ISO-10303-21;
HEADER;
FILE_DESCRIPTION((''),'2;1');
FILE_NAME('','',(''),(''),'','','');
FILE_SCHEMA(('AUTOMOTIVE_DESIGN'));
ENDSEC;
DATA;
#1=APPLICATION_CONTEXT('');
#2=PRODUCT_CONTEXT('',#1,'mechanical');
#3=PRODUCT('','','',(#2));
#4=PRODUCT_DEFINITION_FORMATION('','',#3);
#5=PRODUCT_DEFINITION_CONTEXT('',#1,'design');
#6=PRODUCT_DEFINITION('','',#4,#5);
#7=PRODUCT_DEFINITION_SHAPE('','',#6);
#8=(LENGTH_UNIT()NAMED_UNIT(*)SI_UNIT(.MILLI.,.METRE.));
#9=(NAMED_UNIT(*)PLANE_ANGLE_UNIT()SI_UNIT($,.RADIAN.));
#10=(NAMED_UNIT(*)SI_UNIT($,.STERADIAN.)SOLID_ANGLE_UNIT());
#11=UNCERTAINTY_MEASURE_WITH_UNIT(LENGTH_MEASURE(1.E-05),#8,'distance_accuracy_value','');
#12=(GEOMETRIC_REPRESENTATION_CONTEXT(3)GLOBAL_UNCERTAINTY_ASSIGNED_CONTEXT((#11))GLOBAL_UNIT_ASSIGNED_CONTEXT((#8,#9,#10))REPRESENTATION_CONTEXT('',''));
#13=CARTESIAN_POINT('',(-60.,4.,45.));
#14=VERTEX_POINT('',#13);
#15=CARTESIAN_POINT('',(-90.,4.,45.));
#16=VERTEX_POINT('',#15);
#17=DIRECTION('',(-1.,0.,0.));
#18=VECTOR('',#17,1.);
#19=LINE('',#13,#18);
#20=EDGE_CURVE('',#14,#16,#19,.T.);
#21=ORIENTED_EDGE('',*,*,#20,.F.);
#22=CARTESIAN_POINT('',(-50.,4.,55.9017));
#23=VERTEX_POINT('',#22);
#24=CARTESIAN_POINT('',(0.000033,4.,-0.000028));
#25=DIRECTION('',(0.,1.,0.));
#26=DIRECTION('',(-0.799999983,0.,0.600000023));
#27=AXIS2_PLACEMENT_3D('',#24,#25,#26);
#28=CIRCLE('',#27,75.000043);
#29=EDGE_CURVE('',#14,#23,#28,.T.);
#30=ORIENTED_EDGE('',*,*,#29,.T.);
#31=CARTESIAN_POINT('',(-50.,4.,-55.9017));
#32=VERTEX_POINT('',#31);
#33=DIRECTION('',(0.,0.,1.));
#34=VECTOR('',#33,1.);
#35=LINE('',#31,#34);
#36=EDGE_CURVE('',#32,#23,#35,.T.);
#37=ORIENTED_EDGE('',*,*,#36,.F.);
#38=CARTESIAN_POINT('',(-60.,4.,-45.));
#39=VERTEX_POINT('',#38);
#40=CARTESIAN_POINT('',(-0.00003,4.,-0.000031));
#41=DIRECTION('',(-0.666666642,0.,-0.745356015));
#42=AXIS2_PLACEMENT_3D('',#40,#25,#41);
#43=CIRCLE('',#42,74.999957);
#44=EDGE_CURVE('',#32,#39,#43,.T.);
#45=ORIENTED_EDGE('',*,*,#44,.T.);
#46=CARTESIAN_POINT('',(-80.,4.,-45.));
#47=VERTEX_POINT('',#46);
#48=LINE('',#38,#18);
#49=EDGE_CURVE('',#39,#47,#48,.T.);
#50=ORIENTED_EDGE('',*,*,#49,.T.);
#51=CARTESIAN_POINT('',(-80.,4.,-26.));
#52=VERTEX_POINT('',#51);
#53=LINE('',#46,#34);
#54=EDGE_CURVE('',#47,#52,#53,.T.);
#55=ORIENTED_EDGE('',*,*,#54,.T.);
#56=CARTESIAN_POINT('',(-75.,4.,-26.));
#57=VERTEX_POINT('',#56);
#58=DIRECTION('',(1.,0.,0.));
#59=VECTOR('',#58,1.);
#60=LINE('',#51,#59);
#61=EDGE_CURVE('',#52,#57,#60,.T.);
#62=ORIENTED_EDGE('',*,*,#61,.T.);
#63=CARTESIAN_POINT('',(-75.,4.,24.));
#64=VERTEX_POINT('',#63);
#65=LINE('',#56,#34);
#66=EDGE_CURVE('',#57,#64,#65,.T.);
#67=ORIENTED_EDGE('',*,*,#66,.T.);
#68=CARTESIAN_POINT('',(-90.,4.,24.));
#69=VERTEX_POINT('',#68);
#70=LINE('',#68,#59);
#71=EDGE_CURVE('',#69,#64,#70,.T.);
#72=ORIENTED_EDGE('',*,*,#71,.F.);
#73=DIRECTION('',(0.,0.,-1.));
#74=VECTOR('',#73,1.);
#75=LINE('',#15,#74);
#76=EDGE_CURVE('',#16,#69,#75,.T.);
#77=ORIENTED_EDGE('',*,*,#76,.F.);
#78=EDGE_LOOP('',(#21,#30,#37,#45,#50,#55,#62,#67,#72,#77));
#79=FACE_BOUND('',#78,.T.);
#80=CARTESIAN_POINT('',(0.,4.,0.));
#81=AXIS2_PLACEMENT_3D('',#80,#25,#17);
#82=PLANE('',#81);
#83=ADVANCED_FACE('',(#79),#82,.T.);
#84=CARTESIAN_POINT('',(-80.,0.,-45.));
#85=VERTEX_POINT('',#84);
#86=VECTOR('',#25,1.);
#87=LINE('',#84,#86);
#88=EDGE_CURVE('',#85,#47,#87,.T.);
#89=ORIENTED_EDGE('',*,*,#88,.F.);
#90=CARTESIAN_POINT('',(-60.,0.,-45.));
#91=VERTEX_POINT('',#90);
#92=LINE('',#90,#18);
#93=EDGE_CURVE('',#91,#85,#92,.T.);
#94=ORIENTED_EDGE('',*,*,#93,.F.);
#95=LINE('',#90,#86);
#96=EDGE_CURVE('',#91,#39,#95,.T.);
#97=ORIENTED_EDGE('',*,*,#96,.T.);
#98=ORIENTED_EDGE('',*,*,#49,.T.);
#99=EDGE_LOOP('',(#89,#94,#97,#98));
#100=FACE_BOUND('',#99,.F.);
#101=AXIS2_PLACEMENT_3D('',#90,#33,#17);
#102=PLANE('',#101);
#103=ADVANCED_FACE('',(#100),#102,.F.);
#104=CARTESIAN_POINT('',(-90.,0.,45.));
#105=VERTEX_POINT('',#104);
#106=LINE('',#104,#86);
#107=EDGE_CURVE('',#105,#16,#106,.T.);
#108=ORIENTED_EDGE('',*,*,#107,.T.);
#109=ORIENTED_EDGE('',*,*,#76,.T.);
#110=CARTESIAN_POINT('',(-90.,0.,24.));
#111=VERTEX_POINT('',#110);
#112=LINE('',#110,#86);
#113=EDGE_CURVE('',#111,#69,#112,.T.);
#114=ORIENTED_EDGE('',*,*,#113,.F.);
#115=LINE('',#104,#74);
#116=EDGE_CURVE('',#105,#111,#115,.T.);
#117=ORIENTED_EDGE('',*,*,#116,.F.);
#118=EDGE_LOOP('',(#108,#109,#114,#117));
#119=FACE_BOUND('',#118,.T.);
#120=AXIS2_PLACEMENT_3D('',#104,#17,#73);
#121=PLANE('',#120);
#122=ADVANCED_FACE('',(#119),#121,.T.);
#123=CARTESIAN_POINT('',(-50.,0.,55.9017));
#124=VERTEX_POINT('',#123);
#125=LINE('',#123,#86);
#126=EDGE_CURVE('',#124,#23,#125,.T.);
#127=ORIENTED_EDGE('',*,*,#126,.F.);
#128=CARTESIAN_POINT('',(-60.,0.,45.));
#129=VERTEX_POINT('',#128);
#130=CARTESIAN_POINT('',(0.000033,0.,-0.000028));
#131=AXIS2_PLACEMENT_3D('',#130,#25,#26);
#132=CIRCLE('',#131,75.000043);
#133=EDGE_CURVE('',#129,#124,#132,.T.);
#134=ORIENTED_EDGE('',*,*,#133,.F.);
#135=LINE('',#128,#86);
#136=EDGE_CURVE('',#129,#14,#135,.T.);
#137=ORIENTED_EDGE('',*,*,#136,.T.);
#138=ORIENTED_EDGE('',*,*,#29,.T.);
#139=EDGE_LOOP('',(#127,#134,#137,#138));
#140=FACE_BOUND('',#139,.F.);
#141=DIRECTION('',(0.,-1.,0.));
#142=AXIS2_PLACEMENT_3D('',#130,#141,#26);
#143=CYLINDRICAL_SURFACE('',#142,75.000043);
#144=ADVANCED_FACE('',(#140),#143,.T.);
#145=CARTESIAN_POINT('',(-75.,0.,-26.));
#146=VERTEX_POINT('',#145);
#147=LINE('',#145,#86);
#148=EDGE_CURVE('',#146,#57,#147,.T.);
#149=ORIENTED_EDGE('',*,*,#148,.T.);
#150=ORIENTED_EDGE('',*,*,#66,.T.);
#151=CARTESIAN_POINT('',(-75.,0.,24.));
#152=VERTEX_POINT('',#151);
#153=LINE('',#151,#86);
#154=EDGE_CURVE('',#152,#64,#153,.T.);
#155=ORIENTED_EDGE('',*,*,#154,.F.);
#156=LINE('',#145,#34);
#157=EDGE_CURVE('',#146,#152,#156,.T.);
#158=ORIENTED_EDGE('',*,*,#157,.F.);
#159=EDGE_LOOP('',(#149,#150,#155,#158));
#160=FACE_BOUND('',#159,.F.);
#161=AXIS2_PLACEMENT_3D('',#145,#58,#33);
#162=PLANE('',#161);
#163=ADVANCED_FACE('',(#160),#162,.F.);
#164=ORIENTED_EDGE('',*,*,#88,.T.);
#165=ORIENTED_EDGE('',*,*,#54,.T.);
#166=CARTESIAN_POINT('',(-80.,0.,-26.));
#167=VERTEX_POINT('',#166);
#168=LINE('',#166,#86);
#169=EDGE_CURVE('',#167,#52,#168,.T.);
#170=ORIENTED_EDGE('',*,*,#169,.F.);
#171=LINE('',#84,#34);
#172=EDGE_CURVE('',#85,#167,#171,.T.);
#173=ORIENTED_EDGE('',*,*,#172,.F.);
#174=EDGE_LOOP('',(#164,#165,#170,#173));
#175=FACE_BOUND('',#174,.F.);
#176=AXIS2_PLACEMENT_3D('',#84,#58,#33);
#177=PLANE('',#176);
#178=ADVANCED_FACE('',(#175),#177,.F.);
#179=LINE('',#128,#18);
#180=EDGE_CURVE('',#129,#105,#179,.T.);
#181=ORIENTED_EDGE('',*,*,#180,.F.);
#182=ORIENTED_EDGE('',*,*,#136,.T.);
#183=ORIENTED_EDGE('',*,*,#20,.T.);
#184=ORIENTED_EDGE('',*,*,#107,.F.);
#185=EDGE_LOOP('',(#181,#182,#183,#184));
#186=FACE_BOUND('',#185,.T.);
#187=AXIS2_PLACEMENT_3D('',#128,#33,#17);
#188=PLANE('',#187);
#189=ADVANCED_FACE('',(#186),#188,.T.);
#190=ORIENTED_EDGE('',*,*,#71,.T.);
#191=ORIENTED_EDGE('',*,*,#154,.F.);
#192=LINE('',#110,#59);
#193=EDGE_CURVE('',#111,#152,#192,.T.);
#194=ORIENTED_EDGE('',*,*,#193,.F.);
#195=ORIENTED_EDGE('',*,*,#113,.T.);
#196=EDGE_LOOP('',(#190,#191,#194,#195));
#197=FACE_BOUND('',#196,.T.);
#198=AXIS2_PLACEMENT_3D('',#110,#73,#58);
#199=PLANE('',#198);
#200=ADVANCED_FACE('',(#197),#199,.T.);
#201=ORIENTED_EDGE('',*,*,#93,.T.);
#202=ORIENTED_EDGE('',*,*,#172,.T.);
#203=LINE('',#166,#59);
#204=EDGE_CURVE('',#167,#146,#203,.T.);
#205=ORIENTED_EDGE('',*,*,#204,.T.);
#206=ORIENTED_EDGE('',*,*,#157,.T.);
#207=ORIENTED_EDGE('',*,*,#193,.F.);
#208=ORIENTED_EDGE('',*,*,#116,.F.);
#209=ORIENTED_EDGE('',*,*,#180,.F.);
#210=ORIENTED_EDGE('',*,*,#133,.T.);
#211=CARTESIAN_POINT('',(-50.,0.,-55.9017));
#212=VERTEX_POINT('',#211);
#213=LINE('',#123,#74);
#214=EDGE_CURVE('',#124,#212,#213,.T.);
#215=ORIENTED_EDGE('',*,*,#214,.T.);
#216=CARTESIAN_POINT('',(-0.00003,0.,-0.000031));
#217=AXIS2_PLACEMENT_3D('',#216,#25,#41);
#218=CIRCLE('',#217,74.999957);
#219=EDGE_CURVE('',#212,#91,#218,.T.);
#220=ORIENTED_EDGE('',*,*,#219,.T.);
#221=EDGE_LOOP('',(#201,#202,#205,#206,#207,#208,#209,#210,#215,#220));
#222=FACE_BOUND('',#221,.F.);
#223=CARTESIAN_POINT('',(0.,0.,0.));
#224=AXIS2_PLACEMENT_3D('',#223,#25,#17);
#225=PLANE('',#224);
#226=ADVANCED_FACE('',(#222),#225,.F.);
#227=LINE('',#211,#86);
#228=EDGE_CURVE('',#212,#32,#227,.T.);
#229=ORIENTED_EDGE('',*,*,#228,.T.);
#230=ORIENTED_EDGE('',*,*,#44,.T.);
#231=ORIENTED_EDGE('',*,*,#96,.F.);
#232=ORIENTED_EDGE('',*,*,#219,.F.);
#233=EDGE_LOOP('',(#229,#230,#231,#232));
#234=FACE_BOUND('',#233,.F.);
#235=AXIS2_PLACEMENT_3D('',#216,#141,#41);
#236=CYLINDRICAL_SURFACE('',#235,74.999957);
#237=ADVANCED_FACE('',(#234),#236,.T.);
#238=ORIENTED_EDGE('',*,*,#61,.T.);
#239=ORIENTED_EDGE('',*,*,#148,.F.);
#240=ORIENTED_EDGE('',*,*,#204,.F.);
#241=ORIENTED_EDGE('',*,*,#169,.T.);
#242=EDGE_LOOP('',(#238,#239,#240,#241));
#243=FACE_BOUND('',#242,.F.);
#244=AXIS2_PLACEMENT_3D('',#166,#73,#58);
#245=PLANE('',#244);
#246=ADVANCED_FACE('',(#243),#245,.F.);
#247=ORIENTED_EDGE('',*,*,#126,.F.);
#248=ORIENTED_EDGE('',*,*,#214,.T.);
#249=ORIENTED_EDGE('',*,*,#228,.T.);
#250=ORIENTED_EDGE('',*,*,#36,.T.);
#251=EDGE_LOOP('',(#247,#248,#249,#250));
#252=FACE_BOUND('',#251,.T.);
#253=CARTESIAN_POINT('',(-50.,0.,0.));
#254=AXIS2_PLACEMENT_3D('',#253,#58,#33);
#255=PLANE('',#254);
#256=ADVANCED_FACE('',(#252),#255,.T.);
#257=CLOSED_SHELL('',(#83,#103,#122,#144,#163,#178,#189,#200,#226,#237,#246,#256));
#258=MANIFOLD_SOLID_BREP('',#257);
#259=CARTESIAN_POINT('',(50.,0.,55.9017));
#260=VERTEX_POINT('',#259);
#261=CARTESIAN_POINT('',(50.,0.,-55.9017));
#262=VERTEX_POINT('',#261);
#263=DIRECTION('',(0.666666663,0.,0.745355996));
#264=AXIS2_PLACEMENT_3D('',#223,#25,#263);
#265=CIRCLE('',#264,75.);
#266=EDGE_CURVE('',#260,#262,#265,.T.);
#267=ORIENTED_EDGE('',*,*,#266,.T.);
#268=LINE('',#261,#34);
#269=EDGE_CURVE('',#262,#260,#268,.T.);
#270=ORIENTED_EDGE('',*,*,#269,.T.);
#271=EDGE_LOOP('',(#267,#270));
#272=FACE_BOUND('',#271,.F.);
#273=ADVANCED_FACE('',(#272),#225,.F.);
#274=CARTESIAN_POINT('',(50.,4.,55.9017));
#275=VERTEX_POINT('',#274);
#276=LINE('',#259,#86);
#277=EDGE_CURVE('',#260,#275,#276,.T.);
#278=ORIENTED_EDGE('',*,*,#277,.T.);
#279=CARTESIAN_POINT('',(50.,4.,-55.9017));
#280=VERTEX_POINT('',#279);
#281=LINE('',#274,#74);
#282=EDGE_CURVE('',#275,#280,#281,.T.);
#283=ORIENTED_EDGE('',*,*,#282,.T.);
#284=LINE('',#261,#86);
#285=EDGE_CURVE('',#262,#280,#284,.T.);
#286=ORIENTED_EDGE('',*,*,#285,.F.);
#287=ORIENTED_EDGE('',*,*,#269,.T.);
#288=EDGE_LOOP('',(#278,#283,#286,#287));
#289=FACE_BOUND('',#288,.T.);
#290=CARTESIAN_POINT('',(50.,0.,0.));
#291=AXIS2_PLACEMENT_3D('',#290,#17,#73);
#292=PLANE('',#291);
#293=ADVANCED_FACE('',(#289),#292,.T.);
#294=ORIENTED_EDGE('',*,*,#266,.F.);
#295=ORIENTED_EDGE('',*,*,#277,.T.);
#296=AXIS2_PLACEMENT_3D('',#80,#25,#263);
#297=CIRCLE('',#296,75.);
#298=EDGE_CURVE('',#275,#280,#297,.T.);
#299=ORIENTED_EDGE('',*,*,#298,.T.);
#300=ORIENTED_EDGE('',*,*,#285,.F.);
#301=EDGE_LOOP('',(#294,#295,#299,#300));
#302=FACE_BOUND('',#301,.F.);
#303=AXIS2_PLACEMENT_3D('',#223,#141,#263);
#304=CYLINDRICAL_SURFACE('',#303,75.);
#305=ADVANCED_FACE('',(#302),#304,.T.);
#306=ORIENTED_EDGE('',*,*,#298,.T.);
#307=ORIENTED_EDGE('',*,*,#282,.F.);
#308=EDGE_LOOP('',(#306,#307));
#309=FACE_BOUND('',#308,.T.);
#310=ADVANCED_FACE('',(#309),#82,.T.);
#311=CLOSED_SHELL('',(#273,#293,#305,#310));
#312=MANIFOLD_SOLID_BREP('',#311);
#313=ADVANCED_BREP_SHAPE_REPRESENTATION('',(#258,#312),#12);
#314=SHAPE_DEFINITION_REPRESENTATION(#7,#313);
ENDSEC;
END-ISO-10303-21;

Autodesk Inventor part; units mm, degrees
ref_plane "YZ Plane" through (0, 0, 0) normal (1, 0, 0) x (0, 1, 0)
ref_plane "XZ Plane" through (0, 0, 0) normal (0, 1, 0) x (-1, 0, 0)
ref_plane "XY Plane" through (0, 0, 0) normal (0, 0, 1) x (1, 0, 0)
sketch "Boceto1" plane through (0, 0, 0) normal (0, 1, 0) x (-1, 0, 0)
  line L0 (-50, 0) -> (-50, -55.9017)
  line L1 (-50, 0) -> (-50, 55.9017)
  line L2 (50, 0) -> (50, -55.9017)
  line L3 (50, 0) -> (50, 55.9017)
  line L4 (50, 0) -> (50, -45)
  line L5 (60, -45) -> (80, -45)
  line L6 (80, -45) -> (80, -26)
  line L7 (80, -26) -> (75, -26)
  line L8 (50, 0) -> (50, 45)
  line L9 (60, 45) -> (90, 45)
  line L10 (90, 45) -> (90, 24)
  line L11 (90, 24) -> (75, 24)
  line L12 (75, -26) -> (75, 24)
  arc A0 (50, -55.9017) -> (60, -45) centre (0, 0) ccw
  arc A1 (60, 45) -> (50, 55.9017) centre (0, 0) ccw
  arc A2 (-50, 55.9017) -> (-50, -55.9017) centre (0, 0) ccw
  dimension "d2" = 45
  dimension "d3" = 30
  dimension "d4" = 19
  dimension "d5" = 5
  dimension "d6" = 45
  dimension "d7" = 40
  dimension "d8" = 21
extrude "Extrusión1" add sketch "Boceto1" along normal blind 4
properties part number "Soportes"
